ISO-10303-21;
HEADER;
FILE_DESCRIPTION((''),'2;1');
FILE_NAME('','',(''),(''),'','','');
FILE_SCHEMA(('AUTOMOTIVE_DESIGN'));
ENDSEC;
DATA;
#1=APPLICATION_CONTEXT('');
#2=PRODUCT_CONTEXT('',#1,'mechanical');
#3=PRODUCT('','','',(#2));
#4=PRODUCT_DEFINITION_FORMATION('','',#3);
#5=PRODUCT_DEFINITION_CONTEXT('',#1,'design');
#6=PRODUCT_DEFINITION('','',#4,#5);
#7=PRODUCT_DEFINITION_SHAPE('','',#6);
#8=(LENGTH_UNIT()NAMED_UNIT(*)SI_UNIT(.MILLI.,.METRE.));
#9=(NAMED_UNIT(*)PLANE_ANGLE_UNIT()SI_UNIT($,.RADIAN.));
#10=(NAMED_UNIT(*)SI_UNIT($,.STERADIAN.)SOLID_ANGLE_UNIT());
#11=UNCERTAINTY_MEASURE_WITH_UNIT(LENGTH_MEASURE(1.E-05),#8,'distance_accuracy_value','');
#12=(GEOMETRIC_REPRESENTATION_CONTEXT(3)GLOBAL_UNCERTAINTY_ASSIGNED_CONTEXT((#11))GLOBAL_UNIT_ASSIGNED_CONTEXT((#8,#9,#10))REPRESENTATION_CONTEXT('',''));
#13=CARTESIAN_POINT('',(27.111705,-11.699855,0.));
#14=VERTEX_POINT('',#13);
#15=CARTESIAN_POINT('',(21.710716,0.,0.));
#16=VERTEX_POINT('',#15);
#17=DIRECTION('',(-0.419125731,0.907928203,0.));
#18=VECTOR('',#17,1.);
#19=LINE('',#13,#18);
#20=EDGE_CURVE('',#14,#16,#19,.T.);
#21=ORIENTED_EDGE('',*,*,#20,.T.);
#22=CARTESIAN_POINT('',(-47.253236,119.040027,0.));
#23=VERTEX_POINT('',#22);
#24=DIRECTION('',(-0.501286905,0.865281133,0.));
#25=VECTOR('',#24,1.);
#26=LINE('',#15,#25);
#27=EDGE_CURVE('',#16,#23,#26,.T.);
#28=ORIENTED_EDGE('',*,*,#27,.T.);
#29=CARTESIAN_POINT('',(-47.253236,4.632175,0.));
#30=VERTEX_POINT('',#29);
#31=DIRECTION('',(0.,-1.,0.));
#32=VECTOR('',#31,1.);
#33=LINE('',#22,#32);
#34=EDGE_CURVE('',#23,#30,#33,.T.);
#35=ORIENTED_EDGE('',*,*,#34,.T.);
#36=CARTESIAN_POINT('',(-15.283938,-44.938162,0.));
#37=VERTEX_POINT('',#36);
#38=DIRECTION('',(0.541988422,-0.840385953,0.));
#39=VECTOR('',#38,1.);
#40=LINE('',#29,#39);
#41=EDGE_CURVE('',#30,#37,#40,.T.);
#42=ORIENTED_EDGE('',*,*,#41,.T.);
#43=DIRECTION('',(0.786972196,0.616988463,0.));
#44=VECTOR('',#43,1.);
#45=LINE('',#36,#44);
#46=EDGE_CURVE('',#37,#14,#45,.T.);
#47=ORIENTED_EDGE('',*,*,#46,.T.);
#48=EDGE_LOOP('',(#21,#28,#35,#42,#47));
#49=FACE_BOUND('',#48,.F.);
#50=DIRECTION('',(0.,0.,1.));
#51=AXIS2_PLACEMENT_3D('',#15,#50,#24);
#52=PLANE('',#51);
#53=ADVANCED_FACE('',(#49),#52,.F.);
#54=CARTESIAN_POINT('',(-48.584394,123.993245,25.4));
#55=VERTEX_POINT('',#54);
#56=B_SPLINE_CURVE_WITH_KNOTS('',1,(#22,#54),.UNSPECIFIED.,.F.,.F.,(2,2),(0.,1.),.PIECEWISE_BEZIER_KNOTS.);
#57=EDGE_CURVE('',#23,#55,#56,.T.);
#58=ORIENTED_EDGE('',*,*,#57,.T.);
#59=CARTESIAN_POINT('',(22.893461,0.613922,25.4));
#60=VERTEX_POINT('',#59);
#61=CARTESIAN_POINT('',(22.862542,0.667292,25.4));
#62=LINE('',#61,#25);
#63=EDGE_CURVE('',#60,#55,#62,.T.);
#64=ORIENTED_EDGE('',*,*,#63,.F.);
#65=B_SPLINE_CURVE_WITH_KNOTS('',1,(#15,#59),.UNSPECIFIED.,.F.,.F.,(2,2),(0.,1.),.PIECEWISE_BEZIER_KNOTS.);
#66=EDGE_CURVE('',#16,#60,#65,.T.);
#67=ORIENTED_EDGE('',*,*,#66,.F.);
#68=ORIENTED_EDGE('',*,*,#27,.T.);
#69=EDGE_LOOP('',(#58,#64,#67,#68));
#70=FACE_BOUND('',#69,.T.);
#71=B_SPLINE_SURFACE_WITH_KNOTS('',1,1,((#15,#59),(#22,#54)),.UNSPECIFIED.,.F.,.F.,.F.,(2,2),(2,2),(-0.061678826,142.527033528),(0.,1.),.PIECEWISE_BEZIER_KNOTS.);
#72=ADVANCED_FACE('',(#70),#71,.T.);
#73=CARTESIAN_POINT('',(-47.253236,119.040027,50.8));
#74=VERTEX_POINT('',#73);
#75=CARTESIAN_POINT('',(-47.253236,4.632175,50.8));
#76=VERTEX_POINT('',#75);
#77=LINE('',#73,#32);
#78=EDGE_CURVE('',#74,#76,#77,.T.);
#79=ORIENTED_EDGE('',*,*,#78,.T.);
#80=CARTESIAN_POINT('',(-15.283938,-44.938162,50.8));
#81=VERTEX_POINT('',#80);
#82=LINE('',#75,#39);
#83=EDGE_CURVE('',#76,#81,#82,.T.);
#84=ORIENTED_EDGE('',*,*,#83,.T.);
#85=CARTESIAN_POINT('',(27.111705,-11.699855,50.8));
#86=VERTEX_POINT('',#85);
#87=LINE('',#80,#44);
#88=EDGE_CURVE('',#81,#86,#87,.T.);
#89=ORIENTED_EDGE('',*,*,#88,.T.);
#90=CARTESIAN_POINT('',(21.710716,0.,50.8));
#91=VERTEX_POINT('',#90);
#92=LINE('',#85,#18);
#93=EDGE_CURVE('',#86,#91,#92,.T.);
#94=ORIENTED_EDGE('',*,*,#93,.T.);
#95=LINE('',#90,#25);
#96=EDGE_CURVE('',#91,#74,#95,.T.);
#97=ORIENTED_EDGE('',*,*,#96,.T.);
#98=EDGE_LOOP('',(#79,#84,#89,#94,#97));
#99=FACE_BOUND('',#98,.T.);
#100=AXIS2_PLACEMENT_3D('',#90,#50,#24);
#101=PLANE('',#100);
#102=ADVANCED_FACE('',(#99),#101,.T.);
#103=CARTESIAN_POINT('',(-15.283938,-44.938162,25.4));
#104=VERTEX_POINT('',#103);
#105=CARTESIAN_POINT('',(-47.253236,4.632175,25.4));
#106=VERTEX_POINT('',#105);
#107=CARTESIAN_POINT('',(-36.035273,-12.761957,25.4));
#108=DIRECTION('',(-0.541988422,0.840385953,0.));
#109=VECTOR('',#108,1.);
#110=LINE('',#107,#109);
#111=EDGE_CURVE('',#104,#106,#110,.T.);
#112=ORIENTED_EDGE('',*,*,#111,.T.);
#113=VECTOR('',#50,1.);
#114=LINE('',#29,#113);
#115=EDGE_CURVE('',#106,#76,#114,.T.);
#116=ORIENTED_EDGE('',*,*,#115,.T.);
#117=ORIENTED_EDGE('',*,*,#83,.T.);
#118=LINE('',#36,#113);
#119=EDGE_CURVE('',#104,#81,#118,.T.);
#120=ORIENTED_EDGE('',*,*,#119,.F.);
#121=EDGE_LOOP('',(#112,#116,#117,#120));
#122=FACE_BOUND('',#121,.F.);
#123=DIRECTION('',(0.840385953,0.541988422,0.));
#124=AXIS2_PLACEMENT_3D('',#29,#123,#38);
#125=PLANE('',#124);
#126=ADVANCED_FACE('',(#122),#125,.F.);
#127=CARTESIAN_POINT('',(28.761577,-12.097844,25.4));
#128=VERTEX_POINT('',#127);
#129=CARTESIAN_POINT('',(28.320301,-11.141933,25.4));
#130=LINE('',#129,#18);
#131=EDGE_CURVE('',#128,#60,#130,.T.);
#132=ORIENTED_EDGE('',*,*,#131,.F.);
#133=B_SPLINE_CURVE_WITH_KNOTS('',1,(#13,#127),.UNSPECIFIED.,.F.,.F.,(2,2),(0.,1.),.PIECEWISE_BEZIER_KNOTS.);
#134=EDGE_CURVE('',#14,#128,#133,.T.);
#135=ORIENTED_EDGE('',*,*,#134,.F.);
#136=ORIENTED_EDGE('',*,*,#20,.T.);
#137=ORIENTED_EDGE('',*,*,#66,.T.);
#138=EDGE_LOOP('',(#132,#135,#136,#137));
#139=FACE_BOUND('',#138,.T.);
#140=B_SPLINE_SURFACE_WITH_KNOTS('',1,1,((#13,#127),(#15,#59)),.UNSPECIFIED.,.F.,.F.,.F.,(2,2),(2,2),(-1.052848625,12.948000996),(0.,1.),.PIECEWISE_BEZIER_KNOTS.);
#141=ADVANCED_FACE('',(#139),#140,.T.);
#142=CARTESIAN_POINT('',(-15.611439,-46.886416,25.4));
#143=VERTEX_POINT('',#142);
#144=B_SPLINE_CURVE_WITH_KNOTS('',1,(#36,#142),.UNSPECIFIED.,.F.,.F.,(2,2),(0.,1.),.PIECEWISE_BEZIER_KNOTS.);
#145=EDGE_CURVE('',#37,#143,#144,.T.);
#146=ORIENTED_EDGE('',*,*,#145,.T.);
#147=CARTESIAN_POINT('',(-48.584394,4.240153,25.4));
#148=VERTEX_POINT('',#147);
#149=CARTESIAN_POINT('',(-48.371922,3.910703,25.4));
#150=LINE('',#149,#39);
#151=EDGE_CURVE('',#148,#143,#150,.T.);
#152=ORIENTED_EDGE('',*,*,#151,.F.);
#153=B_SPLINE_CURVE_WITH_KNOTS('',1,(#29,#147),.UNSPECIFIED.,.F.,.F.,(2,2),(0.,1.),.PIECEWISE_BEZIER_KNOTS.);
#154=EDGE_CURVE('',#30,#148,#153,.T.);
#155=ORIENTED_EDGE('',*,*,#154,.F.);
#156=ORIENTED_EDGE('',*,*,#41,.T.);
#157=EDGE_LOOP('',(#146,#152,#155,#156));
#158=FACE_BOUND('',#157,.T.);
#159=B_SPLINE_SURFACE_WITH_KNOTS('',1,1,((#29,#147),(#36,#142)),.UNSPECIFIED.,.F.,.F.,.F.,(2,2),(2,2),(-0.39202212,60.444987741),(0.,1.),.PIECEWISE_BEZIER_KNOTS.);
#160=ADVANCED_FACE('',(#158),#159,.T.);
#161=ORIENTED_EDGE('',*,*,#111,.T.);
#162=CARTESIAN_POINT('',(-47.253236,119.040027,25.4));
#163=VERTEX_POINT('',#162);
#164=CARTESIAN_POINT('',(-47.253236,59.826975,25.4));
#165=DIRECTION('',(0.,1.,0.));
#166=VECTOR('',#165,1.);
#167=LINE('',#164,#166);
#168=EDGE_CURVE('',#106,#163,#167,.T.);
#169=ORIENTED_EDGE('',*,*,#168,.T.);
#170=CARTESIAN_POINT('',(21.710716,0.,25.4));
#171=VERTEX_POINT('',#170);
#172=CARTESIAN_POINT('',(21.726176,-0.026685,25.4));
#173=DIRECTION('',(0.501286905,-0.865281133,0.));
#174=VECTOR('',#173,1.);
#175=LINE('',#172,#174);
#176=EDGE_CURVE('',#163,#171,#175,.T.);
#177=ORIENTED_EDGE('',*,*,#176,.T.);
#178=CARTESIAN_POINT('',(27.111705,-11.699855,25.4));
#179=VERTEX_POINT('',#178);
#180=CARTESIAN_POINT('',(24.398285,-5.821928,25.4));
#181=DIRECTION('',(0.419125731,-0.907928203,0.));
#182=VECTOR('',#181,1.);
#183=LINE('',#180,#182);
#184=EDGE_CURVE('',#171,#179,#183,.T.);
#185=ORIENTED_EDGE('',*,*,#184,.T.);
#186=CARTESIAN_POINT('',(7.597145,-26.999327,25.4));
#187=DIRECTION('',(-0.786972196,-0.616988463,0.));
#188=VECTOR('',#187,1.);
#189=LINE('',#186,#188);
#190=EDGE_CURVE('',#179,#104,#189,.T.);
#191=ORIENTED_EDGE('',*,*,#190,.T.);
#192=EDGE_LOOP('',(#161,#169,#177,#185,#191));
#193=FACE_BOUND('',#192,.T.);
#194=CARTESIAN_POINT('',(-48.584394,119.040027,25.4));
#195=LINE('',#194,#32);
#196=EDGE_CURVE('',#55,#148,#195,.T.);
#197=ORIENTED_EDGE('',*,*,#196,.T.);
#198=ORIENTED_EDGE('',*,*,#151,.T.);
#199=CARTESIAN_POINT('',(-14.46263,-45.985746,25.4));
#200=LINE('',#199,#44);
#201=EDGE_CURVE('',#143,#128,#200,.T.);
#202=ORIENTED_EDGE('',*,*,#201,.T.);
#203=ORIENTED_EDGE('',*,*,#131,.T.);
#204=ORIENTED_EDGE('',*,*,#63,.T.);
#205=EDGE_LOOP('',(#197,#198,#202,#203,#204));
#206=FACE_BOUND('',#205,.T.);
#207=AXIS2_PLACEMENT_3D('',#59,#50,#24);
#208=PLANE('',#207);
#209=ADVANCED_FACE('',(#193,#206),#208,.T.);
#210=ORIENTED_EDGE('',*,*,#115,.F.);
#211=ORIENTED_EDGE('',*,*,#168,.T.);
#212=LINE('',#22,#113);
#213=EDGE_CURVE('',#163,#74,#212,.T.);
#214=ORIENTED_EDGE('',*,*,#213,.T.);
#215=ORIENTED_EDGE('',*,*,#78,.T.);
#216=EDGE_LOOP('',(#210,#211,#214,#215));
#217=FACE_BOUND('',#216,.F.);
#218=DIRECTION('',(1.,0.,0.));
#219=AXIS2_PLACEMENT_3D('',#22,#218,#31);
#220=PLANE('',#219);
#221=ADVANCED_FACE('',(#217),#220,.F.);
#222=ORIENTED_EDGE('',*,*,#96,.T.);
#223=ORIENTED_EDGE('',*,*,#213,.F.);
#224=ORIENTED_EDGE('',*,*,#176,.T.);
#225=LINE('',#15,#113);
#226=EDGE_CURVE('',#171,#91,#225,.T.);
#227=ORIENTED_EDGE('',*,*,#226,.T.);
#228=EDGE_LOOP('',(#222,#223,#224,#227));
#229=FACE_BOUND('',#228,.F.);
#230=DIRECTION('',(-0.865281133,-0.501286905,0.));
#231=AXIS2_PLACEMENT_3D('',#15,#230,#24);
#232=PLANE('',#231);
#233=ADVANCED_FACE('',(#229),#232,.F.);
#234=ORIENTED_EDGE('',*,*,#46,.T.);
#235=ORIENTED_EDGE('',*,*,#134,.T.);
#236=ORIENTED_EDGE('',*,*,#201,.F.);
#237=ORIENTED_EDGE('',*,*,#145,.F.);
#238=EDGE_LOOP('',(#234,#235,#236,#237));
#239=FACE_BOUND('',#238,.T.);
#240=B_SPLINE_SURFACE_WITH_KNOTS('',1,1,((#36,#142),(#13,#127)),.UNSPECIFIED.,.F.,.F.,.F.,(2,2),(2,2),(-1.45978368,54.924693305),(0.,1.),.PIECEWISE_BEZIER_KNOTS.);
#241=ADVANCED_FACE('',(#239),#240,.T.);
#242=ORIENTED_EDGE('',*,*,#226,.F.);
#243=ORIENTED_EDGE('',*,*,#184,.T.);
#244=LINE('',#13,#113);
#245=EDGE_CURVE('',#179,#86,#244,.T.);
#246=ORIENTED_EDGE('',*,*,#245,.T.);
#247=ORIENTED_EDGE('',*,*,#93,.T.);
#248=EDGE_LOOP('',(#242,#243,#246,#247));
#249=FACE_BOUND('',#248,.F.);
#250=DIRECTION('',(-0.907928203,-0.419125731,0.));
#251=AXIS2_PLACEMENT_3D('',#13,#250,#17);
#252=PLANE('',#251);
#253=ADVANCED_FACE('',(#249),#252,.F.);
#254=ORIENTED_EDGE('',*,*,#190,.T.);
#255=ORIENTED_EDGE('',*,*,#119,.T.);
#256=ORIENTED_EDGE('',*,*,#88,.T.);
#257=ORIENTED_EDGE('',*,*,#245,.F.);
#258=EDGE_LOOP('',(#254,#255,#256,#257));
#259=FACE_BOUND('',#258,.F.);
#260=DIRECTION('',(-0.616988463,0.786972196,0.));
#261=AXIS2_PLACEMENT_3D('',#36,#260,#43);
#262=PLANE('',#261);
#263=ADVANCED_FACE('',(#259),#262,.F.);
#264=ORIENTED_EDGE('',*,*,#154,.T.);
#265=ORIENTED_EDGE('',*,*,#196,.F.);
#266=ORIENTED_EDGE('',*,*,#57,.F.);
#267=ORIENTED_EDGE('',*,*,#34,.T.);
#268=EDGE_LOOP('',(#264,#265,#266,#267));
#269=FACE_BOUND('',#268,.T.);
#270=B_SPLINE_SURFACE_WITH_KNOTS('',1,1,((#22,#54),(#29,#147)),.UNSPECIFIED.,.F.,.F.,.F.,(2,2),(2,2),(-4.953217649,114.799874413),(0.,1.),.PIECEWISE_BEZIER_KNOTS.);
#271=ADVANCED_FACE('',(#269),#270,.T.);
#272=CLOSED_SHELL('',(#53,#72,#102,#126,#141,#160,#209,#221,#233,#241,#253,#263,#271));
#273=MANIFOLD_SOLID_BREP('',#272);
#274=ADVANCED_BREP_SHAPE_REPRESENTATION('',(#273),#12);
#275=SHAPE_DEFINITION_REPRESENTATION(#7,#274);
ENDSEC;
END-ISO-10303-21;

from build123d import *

# Parameters (mm, degrees)
F1_DEPTH = 25.4
F1_TAPER = -3
F2_DEPTH = 50.8


with BuildPart() as f1:
    # F0 (on Top) → F1 (new body)
    with BuildSketch(Plane.XY):
        Polygon((-47.2532361746, 4.6321749687), (-44.2658168909, 0), (0, 0), (21.710716188, 0), (-47.2532361746, 119.0400272608), align=None)
        Polygon((0, 0), (-44.2658168909, 0), (-15.2839384973, -44.9381619692), (27.1117053926, -11.6998553276), (21.710716188, 0), align=None)
    extrude(amount=F1_DEPTH, taper=F1_TAPER)

    # F2 (add): a face of the model
    f2_faces = [f1.faces().sort_by_distance(p)[0] for p in [
        (-19.2977055109, 22.6904333903, 0),
    ]]
    extrude(f2_faces, amount=-F2_DEPTH)


solid = f1.part
